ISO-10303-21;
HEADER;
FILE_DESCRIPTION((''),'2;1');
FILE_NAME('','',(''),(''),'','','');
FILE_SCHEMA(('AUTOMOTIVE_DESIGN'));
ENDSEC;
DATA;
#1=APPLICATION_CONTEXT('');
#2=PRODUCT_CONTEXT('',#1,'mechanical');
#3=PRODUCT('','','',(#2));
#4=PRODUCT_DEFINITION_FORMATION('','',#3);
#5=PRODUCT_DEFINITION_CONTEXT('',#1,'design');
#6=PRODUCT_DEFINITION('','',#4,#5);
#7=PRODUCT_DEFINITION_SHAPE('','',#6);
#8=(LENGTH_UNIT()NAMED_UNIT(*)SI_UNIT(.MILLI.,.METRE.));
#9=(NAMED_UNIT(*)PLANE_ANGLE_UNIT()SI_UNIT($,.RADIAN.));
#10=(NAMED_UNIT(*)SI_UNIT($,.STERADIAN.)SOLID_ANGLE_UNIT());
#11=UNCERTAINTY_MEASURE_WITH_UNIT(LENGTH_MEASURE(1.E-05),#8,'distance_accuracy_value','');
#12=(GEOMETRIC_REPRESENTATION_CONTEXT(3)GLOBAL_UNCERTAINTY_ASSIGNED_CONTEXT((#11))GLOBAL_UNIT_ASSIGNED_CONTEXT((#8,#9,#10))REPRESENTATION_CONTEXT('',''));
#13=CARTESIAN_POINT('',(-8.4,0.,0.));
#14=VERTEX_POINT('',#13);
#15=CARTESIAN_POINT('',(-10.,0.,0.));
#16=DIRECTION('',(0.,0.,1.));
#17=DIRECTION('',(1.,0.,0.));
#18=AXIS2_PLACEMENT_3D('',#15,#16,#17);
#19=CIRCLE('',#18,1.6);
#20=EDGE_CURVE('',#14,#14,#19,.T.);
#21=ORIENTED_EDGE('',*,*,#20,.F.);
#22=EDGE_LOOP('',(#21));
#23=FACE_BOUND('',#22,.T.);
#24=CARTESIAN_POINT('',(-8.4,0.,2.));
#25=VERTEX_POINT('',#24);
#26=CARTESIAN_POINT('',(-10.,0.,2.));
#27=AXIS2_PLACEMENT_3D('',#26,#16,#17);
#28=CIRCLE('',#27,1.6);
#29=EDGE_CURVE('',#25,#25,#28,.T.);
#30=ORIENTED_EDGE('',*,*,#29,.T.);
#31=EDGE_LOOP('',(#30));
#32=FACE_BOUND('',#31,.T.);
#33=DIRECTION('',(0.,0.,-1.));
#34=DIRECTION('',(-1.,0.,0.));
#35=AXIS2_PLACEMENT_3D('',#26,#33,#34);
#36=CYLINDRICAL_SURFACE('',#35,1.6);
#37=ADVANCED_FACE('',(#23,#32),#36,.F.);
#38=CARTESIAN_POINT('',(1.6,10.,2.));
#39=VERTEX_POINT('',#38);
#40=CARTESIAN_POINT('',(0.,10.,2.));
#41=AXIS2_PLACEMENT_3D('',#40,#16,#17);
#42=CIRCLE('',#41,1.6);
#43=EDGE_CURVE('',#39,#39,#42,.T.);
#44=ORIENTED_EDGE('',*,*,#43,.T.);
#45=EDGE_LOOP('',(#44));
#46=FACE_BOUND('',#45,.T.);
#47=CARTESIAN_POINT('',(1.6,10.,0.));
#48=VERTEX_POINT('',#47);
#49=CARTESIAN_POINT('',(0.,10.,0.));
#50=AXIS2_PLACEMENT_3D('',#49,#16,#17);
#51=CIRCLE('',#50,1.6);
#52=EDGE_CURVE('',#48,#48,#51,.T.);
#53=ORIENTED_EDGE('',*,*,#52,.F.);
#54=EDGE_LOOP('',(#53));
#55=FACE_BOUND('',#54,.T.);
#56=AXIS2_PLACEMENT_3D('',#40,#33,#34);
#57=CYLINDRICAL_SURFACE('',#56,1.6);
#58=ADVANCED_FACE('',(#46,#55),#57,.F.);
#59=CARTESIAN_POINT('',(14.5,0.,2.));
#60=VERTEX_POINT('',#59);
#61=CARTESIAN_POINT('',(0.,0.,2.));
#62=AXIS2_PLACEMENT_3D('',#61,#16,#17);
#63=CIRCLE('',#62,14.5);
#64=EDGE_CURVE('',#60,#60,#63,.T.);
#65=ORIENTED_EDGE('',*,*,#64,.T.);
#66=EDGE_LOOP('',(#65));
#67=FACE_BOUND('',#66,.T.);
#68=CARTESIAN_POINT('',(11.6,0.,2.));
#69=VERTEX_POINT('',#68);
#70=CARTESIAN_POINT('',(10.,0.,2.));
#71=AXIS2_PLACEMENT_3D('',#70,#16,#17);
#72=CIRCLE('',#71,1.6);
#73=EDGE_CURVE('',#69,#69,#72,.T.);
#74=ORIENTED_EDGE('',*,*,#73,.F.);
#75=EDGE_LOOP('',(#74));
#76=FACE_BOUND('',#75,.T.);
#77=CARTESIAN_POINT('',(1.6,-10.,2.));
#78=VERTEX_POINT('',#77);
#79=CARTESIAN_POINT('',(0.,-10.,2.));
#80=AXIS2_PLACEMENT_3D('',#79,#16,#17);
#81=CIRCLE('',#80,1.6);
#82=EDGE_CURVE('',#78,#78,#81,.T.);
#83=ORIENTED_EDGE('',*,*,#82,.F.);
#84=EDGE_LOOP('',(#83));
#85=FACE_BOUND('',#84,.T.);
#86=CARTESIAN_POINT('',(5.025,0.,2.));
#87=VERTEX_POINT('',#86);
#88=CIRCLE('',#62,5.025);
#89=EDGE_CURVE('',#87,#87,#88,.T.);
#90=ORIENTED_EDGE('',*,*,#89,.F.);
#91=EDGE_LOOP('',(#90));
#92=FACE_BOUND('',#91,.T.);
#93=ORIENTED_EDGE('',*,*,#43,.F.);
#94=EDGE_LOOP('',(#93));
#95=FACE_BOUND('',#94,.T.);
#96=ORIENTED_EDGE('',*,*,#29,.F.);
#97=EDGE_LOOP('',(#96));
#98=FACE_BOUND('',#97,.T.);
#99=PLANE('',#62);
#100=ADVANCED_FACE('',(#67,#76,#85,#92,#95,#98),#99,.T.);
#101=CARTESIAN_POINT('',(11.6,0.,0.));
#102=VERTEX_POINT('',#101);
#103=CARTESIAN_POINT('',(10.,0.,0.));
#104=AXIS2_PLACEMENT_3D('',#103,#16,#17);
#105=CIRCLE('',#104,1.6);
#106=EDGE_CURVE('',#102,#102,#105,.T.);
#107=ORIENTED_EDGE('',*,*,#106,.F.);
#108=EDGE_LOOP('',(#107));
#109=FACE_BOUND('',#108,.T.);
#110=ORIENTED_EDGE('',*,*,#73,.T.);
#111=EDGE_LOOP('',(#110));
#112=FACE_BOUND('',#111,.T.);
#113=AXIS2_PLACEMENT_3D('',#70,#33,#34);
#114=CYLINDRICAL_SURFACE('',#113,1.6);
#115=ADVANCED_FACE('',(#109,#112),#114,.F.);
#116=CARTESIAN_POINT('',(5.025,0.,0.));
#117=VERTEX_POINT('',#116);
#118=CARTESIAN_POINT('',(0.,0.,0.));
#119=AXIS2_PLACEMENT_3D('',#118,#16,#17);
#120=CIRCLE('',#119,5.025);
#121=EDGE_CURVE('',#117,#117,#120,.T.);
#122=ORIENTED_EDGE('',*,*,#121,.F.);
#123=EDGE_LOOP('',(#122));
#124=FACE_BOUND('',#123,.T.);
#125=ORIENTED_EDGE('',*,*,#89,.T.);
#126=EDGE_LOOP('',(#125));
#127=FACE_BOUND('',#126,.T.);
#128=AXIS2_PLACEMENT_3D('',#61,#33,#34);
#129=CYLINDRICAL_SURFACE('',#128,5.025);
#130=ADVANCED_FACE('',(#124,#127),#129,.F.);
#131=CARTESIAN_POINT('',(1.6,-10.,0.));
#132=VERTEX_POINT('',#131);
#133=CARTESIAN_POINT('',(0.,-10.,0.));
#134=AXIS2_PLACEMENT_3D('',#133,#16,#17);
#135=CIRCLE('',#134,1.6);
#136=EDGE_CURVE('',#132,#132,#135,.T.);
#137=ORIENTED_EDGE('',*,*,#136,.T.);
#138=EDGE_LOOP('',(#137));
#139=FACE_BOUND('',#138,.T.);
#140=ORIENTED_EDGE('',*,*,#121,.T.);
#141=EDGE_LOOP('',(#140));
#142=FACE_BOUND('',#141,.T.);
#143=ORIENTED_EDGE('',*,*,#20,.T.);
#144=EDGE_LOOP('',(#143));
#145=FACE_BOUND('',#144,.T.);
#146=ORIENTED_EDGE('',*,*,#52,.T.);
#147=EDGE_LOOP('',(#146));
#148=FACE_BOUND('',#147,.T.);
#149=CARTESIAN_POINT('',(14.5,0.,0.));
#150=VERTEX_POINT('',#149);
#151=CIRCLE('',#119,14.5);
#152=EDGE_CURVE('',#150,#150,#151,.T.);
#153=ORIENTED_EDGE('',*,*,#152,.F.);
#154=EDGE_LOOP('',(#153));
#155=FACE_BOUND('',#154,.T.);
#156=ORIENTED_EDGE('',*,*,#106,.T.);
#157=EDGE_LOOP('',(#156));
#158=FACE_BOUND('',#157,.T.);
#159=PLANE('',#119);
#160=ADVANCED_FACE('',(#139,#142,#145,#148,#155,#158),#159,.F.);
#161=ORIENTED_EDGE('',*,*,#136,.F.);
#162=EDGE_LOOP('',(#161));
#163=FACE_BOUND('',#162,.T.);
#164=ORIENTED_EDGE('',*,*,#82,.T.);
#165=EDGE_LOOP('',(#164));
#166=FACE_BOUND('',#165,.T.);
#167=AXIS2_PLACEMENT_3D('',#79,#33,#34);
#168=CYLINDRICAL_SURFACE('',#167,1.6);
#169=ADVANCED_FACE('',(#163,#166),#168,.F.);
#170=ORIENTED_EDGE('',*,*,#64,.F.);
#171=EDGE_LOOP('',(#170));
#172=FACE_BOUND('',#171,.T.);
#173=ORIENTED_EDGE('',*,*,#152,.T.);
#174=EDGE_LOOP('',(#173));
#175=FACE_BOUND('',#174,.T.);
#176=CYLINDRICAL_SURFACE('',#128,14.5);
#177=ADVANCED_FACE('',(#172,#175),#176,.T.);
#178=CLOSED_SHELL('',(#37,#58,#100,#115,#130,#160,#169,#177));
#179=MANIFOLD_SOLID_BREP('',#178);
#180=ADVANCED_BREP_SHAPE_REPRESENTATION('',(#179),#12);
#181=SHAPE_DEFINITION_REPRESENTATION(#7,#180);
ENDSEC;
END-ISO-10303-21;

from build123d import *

# Parameters (mm, degrees)
SKETCH_1_R      = 14.5
SKETCH_1_R_2    = 1.6
SKETCH_1_R_3    = 5.025
EXTRUDE_1_DEPTH = 2


with BuildPart() as part:
    # ｽｹｯﾁ1 → ﾎﾞｽ - 押し出し1 (new body)
    with BuildSketch(Plane.XY):
        Circle(SKETCH_1_R)
        with Locations((0, 10)):
            Circle(SKETCH_1_R_2, mode=Mode.SUBTRACT)
        Circle(SKETCH_1_R_3, mode=Mode.SUBTRACT)
        with Locations((10, 0)):
            Circle(SKETCH_1_R_2, mode=Mode.SUBTRACT)
        with Locations((0, -10)):
            Circle(SKETCH_1_R_2, mode=Mode.SUBTRACT)
        with Locations((-10, 0)):
            Circle(SKETCH_1_R_2, mode=Mode.SUBTRACT)
    extrude(amount=EXTRUDE_1_DEPTH)


solid = part.part
